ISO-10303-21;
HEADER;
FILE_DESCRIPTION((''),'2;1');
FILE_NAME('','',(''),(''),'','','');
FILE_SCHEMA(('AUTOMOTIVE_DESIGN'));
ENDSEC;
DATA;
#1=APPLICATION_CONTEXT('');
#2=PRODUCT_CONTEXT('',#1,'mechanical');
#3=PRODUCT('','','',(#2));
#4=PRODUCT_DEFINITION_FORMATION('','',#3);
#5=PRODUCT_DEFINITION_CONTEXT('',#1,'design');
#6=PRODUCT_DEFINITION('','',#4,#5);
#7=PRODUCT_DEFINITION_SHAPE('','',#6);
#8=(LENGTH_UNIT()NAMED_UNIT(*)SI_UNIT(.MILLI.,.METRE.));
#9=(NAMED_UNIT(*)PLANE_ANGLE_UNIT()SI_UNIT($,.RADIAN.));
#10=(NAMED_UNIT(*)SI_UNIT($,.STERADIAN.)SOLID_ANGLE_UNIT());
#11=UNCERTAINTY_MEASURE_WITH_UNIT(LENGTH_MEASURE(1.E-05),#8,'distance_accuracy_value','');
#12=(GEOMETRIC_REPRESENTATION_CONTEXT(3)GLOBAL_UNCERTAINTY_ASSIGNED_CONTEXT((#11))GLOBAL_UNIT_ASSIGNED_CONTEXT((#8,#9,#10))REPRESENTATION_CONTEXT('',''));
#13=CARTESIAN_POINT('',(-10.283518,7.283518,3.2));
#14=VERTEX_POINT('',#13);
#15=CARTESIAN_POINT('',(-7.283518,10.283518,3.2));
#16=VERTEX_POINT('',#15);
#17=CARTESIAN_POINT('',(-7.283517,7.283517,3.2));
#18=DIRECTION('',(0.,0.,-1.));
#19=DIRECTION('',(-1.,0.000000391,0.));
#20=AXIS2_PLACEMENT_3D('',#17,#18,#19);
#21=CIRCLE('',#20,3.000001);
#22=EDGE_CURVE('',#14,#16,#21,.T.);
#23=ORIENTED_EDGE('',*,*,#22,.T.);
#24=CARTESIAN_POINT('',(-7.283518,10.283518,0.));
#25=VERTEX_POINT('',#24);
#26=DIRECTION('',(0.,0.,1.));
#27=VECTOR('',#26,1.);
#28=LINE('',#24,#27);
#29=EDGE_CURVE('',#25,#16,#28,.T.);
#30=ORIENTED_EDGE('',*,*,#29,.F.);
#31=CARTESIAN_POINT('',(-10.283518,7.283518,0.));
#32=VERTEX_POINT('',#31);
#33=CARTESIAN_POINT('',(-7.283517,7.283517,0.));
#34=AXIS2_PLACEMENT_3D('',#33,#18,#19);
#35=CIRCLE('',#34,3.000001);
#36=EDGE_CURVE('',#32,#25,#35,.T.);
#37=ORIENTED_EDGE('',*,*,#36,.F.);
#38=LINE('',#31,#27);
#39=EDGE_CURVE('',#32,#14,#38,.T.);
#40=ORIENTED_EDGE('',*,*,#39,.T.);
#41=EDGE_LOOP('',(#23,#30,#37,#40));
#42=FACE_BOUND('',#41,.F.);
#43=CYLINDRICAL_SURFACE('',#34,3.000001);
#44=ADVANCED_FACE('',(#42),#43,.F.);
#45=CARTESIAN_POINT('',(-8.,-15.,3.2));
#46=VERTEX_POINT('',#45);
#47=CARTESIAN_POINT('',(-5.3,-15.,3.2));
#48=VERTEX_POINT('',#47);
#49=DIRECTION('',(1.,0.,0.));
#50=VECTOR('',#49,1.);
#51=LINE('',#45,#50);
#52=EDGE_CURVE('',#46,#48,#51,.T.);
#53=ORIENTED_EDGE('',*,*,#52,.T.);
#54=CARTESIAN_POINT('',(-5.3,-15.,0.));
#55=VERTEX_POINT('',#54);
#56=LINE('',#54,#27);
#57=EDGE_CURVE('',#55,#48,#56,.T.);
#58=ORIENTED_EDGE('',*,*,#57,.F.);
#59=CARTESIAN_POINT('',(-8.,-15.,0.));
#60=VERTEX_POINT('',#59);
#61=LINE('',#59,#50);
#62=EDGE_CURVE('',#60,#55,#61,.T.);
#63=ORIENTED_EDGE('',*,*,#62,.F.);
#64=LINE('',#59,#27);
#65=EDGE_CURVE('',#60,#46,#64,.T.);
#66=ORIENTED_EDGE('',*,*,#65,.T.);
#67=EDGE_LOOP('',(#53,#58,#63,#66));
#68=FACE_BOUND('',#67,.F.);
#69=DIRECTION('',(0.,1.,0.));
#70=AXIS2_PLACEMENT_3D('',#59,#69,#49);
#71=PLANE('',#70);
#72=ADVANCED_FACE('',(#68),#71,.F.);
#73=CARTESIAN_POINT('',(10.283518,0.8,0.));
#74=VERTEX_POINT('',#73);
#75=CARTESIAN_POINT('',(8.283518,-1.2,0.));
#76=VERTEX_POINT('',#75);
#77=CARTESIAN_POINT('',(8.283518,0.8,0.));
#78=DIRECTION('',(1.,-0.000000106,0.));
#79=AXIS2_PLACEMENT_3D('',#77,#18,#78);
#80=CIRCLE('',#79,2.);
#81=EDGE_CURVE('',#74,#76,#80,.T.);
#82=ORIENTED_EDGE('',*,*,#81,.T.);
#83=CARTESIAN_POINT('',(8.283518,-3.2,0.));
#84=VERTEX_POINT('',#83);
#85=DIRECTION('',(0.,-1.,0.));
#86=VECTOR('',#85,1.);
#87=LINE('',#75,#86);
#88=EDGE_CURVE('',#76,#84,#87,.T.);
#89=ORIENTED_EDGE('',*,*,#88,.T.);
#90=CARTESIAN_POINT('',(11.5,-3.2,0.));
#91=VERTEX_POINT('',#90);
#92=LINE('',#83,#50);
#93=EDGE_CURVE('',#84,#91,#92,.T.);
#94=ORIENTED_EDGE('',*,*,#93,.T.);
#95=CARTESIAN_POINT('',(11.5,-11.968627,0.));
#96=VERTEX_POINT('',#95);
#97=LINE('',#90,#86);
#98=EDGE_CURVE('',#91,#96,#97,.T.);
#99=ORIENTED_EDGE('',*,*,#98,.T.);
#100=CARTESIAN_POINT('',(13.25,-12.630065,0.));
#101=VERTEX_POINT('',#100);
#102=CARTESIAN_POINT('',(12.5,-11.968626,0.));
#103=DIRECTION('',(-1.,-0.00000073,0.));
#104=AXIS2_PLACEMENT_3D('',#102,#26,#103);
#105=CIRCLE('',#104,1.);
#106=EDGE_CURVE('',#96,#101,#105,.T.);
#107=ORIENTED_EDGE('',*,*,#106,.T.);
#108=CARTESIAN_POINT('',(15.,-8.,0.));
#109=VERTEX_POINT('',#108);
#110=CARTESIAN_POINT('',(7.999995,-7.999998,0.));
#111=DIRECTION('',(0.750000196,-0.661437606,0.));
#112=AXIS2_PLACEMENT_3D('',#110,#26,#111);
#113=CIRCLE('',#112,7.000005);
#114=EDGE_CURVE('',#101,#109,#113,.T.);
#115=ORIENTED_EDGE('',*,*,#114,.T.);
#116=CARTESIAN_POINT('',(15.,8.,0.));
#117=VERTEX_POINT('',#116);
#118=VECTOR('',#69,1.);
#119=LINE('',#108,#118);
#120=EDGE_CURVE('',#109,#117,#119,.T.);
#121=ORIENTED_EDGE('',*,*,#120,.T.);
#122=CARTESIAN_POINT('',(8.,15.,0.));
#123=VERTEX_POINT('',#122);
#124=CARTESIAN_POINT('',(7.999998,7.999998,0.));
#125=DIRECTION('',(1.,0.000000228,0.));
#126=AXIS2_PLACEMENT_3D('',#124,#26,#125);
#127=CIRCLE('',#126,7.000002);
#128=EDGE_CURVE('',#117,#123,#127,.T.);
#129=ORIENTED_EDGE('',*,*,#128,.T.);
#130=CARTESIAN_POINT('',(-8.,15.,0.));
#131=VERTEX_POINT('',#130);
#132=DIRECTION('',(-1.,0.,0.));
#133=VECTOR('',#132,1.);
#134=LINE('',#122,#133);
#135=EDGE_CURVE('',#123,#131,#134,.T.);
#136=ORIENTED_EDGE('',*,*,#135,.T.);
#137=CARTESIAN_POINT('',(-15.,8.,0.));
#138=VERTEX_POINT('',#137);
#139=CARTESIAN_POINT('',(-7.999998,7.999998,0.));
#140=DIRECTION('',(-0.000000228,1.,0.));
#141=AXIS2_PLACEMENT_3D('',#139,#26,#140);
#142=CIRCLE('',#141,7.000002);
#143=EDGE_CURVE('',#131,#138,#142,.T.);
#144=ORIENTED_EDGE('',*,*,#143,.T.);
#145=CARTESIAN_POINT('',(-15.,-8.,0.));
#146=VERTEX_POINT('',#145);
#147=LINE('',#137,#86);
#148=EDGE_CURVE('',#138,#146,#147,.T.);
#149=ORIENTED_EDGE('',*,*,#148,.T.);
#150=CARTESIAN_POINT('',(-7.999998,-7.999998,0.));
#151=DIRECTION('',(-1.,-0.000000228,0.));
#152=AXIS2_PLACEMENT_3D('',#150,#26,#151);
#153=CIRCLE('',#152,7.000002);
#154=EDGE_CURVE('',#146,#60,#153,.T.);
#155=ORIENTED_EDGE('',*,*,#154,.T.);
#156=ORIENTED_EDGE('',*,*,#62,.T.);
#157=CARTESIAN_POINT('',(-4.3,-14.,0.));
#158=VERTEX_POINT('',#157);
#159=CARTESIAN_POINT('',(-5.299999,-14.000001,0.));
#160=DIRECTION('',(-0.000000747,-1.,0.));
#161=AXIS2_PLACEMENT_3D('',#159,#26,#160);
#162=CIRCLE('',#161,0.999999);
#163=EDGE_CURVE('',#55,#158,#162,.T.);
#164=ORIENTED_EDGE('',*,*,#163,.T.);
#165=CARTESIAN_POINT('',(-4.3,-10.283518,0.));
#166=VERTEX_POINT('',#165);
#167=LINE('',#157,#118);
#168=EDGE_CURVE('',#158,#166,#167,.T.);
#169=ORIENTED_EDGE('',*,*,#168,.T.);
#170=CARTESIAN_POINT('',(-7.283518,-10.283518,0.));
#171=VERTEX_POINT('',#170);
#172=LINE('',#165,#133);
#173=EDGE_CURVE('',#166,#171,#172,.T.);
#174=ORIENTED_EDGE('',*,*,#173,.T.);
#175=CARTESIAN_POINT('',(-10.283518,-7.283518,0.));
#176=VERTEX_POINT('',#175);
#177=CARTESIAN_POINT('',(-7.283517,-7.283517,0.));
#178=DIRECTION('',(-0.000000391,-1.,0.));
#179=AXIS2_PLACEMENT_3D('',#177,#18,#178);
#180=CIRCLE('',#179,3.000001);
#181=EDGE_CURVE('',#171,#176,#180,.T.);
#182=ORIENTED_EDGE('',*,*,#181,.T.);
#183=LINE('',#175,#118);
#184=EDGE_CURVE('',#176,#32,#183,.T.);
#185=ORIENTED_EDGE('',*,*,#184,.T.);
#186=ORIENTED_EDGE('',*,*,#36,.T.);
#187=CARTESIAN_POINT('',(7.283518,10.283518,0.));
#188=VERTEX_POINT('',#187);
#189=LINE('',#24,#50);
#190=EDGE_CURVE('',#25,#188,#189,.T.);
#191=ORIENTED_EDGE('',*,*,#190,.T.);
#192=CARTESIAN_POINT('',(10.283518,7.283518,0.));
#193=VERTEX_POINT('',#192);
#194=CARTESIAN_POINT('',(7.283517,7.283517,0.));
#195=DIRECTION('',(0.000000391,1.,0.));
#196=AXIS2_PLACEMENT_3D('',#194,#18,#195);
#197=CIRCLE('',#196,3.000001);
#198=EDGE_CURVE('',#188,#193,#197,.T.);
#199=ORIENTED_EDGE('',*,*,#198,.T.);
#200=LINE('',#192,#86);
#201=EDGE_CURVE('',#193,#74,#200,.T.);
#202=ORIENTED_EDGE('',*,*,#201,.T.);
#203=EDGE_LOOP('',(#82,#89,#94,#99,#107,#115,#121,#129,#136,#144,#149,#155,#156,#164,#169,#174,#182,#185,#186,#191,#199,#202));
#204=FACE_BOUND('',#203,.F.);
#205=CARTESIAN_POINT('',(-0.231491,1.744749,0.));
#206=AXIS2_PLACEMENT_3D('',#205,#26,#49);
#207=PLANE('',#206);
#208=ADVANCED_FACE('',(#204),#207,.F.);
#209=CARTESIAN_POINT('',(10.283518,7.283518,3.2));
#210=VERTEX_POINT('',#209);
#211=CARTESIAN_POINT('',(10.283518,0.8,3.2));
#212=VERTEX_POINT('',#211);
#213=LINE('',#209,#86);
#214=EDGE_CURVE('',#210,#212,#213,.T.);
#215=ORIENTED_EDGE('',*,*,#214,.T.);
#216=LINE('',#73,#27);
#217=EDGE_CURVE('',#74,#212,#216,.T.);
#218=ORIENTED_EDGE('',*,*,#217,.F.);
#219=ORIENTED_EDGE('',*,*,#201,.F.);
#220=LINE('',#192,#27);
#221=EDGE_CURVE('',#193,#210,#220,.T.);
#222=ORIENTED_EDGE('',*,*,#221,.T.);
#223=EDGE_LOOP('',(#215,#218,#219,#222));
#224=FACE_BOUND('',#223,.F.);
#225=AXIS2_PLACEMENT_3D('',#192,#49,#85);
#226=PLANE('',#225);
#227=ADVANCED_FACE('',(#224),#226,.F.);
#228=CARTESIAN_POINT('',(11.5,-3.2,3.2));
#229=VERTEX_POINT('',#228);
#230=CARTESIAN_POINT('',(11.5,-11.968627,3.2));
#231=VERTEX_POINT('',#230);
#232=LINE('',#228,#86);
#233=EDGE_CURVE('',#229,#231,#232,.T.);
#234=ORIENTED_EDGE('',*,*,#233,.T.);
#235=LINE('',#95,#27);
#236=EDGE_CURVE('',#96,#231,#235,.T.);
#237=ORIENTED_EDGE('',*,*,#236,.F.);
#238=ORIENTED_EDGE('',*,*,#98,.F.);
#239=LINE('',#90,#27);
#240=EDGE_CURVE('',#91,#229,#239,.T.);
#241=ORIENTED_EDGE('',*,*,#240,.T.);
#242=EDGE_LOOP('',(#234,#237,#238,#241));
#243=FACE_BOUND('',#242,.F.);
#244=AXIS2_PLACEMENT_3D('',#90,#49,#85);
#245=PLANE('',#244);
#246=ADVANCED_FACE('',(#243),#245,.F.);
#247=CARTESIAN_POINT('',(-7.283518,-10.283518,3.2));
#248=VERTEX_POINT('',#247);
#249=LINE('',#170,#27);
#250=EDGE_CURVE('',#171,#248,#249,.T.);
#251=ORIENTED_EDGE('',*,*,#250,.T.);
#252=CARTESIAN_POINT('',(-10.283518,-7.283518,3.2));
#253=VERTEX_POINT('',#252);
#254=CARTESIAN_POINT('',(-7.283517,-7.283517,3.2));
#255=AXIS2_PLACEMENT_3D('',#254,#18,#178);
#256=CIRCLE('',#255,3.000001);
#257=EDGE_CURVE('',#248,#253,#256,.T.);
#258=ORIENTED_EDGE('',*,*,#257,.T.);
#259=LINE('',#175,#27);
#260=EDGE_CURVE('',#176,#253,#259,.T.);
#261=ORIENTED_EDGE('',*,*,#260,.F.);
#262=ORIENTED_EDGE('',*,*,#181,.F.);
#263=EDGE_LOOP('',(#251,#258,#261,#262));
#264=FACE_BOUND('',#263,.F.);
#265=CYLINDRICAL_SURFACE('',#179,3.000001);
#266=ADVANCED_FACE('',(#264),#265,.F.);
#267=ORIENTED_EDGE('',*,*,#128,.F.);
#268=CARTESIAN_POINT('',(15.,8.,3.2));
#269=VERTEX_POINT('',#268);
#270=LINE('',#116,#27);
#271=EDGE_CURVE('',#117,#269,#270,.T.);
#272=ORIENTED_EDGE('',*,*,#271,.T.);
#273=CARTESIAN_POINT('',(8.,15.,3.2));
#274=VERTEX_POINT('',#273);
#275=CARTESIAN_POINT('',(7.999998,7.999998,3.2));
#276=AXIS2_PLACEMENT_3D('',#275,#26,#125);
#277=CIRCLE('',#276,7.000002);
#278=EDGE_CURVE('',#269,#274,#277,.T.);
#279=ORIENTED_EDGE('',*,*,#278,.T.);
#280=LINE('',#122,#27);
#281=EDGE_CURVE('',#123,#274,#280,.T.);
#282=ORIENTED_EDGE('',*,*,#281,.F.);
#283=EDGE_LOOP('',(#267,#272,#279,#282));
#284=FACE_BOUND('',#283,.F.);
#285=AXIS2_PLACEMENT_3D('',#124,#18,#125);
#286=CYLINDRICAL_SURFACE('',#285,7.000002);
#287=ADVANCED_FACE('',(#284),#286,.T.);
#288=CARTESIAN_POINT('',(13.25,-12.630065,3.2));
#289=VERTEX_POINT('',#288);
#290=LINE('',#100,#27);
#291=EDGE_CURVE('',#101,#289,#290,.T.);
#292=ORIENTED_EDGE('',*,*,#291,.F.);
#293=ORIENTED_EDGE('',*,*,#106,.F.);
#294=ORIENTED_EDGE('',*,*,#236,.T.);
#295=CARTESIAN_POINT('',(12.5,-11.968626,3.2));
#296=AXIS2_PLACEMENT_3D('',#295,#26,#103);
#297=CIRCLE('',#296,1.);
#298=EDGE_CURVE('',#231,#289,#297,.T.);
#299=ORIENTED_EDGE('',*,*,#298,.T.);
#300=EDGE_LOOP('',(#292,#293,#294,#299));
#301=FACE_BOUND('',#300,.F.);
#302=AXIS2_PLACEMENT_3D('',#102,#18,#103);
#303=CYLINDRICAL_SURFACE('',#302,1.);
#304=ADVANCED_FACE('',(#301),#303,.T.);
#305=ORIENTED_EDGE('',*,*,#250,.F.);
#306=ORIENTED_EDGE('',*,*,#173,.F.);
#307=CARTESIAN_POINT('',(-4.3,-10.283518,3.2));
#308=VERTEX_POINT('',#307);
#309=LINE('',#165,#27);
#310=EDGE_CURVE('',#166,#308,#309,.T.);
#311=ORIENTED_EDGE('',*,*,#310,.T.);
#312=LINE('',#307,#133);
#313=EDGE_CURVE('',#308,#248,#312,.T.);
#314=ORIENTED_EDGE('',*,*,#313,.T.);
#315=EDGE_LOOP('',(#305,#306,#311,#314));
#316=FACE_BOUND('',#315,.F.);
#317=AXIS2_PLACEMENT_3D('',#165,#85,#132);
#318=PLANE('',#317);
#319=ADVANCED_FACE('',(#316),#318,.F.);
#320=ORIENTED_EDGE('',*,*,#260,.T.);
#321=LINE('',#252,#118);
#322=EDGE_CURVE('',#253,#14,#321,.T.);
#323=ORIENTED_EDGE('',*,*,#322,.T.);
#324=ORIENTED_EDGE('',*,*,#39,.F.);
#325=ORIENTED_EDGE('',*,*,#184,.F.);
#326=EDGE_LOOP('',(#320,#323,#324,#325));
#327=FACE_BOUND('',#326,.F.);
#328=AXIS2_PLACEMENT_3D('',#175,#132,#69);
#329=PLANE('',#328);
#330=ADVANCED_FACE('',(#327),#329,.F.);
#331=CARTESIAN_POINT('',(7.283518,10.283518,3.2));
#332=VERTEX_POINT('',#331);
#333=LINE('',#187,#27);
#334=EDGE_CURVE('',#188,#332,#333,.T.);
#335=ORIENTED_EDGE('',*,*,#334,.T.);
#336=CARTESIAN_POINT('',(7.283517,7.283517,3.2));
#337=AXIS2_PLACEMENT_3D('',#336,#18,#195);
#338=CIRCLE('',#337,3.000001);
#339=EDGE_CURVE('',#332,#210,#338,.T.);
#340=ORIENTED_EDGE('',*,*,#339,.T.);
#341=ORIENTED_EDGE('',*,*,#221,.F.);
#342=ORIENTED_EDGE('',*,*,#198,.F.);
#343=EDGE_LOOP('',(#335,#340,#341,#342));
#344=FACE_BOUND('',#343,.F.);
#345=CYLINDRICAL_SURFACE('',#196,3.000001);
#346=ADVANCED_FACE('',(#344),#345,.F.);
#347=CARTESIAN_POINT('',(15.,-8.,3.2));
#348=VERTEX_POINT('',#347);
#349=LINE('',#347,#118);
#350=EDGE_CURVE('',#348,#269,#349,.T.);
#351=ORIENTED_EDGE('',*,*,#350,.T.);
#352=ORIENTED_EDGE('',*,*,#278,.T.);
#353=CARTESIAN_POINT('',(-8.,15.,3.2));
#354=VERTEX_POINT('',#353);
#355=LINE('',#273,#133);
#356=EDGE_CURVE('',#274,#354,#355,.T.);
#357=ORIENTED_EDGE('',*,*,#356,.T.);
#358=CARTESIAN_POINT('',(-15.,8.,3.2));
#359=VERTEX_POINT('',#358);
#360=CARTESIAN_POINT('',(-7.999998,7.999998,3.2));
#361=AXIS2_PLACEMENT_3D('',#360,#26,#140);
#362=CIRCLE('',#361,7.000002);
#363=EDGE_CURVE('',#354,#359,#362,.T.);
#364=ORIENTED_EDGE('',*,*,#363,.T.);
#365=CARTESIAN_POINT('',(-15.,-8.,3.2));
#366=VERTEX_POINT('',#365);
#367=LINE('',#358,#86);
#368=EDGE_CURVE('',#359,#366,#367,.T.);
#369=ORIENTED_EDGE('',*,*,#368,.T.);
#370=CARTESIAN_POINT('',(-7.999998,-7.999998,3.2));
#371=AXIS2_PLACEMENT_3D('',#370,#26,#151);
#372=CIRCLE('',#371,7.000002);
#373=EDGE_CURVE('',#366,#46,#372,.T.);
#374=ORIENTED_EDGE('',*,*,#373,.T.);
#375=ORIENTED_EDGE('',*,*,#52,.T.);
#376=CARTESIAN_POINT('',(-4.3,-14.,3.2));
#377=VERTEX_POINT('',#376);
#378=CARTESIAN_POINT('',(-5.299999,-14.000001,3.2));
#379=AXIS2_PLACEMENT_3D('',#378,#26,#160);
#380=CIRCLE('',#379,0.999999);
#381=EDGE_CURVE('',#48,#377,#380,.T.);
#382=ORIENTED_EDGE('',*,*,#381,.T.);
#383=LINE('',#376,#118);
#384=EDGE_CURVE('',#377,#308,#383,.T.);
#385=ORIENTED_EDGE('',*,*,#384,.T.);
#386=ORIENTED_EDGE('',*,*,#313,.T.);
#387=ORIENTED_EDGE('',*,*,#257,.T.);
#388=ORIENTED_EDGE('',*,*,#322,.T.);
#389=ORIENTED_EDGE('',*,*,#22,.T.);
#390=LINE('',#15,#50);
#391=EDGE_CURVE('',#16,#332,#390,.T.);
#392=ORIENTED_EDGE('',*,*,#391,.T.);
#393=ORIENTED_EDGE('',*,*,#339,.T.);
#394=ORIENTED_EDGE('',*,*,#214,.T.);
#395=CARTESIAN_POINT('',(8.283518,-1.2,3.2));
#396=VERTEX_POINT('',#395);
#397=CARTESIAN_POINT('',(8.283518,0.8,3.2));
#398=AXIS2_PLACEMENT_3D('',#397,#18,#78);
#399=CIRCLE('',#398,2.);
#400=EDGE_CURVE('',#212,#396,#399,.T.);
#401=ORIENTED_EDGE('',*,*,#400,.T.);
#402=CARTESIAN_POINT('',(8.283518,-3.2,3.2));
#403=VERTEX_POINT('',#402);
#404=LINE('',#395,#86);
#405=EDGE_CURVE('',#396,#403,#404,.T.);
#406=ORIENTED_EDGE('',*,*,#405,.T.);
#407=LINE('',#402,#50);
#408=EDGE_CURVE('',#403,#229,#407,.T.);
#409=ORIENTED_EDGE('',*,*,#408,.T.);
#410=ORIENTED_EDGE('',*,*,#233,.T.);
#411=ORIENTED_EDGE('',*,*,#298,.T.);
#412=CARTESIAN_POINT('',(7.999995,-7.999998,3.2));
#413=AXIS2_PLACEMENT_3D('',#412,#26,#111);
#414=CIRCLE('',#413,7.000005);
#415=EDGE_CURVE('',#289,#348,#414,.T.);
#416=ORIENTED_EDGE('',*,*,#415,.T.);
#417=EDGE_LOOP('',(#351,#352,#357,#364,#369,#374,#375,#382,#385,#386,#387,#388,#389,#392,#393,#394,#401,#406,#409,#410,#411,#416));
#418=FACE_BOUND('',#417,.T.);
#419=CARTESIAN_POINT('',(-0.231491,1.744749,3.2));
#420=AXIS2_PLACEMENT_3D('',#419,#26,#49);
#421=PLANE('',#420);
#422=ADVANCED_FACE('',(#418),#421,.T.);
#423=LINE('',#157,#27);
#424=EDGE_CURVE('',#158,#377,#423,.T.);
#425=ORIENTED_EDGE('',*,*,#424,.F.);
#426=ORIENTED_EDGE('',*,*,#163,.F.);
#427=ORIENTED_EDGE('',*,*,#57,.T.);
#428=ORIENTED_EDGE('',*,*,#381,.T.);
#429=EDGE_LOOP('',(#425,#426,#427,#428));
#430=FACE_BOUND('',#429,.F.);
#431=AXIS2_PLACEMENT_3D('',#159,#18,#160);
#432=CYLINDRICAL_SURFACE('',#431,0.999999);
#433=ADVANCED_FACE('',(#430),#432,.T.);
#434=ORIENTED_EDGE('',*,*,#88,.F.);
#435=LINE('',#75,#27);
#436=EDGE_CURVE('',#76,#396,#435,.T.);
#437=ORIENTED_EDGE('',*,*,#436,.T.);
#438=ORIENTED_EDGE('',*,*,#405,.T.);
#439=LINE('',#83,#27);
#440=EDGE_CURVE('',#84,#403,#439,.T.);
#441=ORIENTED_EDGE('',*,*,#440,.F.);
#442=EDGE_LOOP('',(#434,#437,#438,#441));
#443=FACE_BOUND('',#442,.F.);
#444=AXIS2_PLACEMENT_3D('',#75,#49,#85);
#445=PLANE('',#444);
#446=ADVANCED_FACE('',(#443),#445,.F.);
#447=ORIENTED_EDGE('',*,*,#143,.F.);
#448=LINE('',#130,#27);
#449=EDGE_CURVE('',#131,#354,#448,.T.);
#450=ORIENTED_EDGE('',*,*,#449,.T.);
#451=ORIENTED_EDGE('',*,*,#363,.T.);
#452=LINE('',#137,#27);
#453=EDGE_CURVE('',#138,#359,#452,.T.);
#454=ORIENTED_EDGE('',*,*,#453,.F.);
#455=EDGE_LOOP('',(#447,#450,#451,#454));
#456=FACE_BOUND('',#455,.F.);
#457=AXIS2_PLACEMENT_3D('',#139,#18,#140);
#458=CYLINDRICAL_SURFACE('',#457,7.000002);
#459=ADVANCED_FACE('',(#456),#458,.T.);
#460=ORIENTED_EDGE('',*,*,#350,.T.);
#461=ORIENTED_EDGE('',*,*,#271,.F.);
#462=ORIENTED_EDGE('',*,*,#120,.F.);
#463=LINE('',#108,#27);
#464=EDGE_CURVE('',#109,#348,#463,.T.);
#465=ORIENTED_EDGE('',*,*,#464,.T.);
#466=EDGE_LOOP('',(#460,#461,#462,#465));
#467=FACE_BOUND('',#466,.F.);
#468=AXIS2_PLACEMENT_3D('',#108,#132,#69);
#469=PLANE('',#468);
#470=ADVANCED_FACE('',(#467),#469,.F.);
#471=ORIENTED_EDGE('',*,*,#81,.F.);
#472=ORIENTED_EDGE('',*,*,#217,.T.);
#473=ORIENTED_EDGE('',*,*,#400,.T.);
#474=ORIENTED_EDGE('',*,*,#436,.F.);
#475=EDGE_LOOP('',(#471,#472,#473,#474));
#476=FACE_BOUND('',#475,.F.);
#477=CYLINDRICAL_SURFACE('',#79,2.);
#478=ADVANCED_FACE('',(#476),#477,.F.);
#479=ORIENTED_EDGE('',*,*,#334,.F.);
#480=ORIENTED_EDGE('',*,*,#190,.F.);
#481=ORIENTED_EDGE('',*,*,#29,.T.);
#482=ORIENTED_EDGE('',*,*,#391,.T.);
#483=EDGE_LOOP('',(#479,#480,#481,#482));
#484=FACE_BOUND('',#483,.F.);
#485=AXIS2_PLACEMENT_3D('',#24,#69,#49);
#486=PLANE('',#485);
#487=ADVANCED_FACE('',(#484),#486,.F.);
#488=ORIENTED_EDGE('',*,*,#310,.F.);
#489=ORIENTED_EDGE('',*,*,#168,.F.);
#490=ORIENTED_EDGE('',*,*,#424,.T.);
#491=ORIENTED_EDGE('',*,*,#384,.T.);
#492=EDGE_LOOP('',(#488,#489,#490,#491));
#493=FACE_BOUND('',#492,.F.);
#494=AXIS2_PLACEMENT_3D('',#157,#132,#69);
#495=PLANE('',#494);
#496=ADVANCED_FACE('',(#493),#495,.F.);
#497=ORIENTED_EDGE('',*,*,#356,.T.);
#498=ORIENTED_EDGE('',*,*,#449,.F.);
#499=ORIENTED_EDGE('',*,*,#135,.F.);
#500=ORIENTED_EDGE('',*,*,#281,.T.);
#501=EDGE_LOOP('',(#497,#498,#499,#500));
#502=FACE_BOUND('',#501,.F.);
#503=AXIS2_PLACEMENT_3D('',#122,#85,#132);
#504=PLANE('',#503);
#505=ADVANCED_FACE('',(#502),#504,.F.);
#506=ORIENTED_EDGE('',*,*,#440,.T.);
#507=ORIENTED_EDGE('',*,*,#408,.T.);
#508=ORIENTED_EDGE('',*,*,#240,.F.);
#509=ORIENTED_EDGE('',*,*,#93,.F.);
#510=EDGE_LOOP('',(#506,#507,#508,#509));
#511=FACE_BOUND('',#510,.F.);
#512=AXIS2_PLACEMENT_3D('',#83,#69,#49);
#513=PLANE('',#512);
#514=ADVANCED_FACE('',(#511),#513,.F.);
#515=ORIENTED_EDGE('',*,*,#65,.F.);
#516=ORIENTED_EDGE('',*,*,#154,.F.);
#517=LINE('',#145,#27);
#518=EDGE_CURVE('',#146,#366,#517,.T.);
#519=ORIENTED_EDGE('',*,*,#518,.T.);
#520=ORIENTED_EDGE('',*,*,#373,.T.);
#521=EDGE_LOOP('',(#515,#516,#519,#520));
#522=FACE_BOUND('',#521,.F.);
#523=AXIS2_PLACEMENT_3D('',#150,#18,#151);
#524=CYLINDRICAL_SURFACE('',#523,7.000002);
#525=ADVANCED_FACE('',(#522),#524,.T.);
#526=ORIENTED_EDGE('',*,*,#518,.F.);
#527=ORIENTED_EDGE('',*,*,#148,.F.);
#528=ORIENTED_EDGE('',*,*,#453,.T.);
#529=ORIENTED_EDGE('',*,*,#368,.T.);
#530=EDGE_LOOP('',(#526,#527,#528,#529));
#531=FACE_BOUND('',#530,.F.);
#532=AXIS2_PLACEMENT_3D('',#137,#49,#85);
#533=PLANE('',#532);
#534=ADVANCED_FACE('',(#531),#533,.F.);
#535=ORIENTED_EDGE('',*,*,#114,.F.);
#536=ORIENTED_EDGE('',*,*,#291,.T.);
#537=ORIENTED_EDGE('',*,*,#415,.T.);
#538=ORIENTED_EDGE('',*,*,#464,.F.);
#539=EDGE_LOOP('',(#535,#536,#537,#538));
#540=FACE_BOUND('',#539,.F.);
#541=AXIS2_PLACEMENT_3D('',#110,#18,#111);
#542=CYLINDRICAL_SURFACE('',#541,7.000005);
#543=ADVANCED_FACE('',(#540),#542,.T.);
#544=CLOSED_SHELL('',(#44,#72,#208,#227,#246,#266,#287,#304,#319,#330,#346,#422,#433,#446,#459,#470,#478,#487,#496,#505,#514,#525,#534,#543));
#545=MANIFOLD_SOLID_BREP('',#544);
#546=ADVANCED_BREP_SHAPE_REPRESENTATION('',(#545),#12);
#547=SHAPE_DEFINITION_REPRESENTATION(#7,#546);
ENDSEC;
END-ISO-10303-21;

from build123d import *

# Parameters (mm, degrees)
F1_DEPTH = 3.2


with BuildPart() as f1:
    # F0 (on Top) → F1 (new body)
    with BuildSketch(Plane.XY):
        with BuildLine():
            ThreePointArc((15, 8), (12.949747, 12.949747), (8, 15))
            Line((8, 15), (-8, 15))
            ThreePointArc((-8, 15), (-12.949747, 12.949747), (-15, 8))
            Line((-15, 8), (-15, -8))
            ThreePointArc((-15, -8), (-12.949747, -12.949747), (-8, -15))
            Line((-8, -15), (-5.3, -15))
            ThreePointArc((-5.3, -15), (-4.592893, -14.707107), (-4.3, -14))
            Line((-4.3, -14), (-4.3, -10.283518))
            Line((-4.3, -10.283518), (-7.283518, -10.283518))
            ThreePointArc((-7.283518, -10.283518), (-9.404838, -9.404838), (-10.283518, -7.283518))
            Line((-10.283518, -7.283518), (-10.283518, 7.283518))
            ThreePointArc((-10.283518, 7.283518), (-9.404838, 9.404838), (-7.283518, 10.283518))
            Line((-7.283518, 10.283518), (7.283518, 10.283518))
            ThreePointArc((7.283518, 10.283518), (9.404838, 9.404838), (10.283518, 7.283518))
            Line((10.283518, 7.283518), (10.283518, 0.8))
            ThreePointArc((10.283518, 0.8), (9.697731, -0.614214), (8.283518, -1.2))
            Line((8.283518, -1.2), (8.283518, -3.2))
            Line((8.283518, -3.2), (10.283518, -3.2))
            Line((10.283518, -3.2), (11.5, -3.2))
            Line((11.5, -3.2), (11.5, -11.968627))
            ThreePointArc((11.5, -11.968627), (12.146447, -12.904041), (13.25, -12.630065))
            ThreePointArc((13.25, -12.630065), (14.5479, -10.474874), (15, -8))
            Line((15, -8), (15, 8))
        make_face()
    extrude(amount=F1_DEPTH)


solid = f1.part
